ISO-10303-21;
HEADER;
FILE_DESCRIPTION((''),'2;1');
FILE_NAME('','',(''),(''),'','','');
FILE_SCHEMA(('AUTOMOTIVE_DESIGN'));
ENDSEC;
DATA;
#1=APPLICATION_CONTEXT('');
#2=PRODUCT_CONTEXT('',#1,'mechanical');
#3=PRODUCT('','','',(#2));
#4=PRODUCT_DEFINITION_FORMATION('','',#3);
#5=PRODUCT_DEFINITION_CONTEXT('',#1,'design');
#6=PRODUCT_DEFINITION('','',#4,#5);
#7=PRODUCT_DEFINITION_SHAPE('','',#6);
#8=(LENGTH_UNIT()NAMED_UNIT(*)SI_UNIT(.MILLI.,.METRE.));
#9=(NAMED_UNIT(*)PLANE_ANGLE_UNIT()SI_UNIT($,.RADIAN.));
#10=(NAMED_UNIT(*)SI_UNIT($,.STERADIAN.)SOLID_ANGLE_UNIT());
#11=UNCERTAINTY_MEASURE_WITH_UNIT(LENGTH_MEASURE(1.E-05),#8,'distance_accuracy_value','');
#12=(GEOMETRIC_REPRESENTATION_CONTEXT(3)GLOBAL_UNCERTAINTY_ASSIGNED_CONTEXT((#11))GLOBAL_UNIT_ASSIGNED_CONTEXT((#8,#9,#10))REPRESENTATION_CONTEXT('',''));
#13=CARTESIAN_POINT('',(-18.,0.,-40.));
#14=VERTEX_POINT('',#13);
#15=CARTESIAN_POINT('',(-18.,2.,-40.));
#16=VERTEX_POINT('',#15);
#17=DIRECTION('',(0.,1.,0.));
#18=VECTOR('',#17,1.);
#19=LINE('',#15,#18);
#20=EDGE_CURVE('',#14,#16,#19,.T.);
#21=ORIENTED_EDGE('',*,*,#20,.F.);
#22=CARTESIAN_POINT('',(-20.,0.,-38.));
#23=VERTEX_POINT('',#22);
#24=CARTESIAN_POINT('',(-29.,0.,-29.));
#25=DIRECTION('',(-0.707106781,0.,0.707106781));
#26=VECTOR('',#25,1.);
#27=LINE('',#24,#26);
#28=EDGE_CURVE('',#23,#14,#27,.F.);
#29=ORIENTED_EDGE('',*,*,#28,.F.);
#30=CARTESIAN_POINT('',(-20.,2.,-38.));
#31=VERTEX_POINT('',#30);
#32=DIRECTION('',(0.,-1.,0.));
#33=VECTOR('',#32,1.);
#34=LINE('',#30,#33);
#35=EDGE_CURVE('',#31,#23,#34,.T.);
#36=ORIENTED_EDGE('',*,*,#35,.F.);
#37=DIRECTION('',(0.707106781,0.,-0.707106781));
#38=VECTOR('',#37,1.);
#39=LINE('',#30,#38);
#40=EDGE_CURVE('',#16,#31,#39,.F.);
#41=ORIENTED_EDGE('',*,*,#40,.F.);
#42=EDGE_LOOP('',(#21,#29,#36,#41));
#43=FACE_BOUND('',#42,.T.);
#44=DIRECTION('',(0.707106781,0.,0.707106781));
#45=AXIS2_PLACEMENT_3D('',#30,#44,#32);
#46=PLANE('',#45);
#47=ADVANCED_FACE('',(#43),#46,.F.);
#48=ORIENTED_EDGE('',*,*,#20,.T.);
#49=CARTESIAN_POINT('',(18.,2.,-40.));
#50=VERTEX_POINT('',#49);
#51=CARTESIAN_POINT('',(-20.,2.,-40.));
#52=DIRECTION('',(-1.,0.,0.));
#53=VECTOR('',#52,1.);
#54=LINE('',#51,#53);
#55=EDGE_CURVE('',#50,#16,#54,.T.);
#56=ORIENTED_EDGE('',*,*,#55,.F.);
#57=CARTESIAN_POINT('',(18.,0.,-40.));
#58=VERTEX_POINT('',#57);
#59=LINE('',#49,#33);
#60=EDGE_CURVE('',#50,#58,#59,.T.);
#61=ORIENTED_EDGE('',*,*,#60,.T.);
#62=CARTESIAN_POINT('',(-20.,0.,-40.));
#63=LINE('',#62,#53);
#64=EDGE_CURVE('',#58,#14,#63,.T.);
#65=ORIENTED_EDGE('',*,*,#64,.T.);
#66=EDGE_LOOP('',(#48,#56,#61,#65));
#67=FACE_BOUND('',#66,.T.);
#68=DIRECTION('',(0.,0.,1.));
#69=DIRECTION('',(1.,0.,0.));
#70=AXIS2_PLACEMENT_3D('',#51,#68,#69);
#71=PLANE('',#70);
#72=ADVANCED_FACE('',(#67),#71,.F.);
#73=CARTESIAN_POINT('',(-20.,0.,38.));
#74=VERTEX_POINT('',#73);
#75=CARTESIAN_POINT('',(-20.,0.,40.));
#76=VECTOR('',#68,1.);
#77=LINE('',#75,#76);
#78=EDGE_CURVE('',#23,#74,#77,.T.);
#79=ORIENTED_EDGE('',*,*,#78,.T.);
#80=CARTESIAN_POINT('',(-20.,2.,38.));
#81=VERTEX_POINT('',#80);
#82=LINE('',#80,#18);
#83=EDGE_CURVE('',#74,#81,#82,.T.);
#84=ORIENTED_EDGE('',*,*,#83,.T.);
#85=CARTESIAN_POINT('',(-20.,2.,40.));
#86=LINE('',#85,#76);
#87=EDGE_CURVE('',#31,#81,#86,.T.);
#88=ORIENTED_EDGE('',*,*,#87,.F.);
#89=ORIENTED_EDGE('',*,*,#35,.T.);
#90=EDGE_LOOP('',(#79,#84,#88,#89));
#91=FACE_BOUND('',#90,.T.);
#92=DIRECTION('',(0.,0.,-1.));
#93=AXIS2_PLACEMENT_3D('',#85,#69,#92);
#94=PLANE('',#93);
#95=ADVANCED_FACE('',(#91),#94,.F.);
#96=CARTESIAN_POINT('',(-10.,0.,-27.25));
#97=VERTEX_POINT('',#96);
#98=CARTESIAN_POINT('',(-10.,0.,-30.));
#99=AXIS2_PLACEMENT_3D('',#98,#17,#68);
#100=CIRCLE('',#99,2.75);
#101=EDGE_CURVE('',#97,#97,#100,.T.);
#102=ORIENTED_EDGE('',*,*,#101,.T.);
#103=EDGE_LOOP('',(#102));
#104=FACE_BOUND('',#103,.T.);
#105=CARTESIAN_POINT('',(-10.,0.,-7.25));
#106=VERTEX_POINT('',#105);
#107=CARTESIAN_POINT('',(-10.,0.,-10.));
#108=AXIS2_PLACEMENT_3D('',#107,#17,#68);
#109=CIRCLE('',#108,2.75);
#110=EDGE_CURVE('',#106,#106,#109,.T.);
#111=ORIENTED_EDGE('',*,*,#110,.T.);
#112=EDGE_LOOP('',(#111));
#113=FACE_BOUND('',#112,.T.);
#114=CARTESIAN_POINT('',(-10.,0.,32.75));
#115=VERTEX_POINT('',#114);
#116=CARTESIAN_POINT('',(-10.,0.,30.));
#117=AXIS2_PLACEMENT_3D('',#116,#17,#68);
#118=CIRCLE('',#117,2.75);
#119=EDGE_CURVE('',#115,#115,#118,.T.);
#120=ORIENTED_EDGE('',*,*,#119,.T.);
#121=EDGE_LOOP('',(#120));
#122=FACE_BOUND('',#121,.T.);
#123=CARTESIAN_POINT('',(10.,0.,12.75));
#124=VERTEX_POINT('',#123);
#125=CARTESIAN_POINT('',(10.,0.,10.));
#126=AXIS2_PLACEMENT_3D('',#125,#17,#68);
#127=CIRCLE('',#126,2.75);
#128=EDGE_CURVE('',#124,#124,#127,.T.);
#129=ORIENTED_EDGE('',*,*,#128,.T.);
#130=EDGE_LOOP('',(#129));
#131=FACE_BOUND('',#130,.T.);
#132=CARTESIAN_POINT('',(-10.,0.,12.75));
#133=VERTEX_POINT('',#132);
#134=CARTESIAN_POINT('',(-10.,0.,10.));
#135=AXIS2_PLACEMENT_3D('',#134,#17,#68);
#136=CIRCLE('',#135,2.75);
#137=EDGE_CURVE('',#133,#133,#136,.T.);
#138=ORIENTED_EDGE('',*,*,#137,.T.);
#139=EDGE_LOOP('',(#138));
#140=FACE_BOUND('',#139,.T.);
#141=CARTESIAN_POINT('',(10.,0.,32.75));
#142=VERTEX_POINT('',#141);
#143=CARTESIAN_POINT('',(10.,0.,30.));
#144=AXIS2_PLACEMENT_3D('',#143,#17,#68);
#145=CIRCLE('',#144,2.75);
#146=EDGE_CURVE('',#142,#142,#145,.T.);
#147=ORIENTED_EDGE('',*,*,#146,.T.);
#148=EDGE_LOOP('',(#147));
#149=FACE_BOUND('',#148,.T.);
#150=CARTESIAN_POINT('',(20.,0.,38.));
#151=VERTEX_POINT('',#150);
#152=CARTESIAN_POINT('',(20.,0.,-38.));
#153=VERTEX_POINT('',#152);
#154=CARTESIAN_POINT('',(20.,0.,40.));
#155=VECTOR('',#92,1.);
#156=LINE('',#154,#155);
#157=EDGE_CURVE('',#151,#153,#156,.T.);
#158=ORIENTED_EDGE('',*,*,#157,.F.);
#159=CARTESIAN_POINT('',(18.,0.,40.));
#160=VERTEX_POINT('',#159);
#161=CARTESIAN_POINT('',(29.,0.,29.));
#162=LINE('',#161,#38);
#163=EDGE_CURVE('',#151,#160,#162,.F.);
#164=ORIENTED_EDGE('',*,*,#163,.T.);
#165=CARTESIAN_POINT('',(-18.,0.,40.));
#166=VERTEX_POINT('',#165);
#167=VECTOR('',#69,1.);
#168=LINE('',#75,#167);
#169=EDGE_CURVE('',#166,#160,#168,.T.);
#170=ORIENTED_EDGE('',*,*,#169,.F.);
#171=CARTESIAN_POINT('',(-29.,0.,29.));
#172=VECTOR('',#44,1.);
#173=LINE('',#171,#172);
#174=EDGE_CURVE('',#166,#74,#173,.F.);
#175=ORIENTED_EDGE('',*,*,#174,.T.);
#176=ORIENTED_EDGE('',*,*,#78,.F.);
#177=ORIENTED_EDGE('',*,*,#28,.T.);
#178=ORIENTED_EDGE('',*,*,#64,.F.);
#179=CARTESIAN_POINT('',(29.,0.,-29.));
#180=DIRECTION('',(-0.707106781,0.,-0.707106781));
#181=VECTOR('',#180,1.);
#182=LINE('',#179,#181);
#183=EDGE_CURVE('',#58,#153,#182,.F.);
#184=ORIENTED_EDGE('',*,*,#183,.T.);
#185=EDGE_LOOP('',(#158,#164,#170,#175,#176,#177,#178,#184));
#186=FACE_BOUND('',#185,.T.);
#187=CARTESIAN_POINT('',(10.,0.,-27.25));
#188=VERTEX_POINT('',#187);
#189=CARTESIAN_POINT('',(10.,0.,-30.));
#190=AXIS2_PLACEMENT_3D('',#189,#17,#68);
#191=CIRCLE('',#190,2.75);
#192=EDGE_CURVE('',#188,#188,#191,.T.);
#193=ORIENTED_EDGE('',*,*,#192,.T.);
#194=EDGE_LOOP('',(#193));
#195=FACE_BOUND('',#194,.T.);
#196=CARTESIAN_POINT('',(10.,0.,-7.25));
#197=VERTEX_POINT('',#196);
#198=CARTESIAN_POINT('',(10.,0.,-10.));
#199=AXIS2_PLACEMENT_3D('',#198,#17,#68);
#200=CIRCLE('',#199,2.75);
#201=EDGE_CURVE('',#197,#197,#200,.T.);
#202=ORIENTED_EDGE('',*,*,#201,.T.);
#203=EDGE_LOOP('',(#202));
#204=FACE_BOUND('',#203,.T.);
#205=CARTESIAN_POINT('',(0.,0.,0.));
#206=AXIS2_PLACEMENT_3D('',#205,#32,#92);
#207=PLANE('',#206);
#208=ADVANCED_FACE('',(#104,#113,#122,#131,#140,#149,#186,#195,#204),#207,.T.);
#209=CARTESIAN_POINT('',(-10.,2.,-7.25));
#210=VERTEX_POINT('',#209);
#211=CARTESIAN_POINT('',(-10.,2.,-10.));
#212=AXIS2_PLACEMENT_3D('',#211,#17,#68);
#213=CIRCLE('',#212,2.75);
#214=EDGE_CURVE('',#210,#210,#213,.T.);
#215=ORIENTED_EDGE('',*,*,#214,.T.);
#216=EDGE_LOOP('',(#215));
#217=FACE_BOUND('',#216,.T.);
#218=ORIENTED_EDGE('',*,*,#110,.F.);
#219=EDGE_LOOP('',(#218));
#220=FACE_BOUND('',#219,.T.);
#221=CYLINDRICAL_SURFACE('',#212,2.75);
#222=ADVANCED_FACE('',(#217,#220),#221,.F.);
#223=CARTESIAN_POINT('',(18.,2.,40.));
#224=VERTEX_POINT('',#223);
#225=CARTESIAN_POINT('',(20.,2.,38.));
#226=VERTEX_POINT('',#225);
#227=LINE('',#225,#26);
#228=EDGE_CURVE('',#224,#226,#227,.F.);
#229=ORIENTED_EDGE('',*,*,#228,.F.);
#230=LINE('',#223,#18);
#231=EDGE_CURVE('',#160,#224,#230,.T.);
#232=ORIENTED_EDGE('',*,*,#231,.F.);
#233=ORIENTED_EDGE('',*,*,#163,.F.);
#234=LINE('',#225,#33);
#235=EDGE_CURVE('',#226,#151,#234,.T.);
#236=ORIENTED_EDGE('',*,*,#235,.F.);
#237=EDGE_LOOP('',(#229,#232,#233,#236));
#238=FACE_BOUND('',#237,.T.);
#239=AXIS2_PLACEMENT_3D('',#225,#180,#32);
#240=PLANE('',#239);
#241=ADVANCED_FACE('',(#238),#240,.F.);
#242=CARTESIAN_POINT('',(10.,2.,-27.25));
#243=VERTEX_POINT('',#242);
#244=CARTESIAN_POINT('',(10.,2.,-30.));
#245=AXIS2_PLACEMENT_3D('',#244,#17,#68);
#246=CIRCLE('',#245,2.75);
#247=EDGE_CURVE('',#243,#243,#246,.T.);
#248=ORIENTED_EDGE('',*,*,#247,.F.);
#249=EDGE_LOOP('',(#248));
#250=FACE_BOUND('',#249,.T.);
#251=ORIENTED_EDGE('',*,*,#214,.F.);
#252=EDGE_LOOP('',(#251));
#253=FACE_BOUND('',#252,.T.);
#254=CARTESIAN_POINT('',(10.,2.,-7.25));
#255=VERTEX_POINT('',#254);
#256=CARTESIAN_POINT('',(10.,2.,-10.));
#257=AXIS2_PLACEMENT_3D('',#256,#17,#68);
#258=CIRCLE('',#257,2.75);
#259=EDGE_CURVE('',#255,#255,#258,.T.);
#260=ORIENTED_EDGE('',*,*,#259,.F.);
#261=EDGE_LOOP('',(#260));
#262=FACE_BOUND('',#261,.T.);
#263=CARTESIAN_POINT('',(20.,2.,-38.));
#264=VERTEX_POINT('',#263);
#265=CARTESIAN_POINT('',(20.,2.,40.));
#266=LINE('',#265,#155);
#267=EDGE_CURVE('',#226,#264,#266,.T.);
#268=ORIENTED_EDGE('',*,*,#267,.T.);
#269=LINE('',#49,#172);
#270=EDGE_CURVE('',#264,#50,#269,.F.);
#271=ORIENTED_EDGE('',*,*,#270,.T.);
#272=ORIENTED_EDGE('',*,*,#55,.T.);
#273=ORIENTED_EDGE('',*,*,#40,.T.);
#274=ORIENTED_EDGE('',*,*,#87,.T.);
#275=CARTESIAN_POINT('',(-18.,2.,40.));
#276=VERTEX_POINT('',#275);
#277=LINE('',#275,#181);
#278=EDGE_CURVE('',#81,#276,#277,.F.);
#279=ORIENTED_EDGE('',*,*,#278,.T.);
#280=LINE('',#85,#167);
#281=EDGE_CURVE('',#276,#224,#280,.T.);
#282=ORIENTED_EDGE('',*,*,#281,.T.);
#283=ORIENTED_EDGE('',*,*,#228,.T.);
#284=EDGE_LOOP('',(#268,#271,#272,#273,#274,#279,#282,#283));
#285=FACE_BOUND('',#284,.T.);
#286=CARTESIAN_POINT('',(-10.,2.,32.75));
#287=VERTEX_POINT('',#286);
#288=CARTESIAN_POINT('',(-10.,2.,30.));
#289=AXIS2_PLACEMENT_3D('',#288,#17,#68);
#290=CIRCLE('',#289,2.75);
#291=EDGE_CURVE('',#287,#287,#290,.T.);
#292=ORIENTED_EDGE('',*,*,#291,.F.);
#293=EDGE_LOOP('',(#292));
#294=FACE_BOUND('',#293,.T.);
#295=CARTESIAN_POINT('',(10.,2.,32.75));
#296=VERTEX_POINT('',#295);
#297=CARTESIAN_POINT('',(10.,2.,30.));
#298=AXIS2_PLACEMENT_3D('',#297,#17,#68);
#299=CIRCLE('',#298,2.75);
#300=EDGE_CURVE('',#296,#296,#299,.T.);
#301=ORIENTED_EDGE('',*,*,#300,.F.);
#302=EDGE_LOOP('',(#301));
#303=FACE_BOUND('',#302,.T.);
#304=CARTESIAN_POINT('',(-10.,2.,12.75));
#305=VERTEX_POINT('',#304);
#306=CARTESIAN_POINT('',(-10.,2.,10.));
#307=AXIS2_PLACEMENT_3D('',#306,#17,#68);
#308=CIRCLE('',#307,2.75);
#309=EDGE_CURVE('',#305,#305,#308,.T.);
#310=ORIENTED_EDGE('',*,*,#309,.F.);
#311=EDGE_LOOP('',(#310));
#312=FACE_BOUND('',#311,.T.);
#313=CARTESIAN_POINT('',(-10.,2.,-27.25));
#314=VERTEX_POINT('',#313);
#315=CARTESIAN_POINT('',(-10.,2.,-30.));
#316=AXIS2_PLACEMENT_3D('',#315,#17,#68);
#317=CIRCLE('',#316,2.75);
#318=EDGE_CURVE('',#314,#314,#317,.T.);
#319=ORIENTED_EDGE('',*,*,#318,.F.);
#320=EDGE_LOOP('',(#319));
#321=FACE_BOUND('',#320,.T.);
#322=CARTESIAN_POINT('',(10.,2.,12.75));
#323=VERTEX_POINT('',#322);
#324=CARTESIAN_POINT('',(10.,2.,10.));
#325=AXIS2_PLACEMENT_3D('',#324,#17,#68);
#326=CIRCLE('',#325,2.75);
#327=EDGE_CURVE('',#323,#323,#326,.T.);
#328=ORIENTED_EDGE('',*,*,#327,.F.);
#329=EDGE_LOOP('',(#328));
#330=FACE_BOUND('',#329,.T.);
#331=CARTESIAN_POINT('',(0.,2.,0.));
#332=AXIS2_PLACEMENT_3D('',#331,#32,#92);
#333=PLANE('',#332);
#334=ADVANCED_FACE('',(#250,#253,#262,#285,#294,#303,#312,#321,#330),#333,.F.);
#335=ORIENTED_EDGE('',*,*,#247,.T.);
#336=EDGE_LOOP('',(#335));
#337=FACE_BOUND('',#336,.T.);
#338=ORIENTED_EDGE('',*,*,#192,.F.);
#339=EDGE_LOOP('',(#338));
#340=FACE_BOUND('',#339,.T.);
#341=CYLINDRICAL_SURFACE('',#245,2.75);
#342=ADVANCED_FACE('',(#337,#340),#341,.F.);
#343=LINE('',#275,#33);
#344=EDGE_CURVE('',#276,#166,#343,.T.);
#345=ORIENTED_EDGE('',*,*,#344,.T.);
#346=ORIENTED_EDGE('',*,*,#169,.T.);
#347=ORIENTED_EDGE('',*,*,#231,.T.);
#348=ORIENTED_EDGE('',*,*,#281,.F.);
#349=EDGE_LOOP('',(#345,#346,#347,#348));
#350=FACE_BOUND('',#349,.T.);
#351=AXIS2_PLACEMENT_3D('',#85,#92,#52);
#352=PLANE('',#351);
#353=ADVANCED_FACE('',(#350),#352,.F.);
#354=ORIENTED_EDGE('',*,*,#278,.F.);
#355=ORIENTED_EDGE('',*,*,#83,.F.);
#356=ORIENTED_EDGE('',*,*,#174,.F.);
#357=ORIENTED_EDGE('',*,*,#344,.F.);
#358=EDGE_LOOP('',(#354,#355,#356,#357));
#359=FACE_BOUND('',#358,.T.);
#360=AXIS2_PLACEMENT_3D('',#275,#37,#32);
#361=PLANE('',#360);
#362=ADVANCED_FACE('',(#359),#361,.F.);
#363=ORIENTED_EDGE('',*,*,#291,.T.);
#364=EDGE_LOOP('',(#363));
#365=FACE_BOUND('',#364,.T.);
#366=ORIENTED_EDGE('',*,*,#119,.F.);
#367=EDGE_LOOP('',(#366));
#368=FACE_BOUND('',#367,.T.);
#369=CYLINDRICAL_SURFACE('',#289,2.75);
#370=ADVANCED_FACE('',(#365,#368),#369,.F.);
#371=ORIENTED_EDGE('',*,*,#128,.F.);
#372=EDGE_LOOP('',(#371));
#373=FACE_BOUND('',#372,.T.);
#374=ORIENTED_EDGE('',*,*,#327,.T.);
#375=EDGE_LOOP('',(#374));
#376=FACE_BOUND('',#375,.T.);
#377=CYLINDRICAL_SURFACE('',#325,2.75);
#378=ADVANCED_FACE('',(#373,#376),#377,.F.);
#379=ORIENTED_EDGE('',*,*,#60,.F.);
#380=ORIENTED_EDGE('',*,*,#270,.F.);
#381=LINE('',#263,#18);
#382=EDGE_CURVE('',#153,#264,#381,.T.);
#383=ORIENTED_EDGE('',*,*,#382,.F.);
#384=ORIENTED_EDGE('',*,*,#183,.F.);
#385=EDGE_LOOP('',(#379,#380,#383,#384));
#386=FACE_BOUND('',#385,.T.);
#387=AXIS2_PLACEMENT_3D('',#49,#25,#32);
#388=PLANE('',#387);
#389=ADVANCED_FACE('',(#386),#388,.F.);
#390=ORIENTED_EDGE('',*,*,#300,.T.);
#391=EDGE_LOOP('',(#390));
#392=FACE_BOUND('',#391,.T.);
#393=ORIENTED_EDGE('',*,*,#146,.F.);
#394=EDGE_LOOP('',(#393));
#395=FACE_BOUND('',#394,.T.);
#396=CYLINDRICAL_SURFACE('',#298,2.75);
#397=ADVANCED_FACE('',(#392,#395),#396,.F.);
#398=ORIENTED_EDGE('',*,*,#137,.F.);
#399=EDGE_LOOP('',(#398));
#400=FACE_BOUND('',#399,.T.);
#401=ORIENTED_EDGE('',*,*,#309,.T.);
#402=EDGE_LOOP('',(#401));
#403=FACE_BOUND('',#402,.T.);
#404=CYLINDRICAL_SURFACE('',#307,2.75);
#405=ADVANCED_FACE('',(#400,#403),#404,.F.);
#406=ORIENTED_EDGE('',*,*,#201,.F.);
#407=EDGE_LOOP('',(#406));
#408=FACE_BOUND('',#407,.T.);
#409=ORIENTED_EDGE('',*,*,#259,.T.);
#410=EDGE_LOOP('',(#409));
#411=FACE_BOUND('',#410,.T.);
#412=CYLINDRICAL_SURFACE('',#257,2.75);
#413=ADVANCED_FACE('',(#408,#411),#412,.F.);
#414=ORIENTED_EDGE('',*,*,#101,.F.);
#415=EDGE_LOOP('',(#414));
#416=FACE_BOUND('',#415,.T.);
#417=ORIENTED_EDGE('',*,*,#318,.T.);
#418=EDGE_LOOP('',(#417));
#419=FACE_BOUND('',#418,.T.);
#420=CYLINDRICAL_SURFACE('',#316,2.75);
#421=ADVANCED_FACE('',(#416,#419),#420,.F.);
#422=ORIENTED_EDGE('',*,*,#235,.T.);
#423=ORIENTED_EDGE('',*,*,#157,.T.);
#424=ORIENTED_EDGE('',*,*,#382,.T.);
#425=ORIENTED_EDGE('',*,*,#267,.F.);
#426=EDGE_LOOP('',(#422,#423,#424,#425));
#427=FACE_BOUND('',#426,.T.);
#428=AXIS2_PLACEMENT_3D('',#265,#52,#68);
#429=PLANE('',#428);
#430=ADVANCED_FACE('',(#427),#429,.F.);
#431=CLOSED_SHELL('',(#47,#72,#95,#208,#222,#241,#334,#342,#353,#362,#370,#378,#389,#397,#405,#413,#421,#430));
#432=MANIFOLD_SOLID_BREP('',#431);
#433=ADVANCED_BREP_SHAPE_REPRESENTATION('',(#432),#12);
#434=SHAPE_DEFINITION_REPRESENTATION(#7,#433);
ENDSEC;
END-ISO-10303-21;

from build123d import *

# Parameters (mm, degrees)
SKETCH_1_W        = 40
SKETCH_1_H        = 80
EXTRUDE_1_DEPTH   = 2
CHAMFER_1_SIZE    = 2
HOLE_WIZARD_M51_D = 5.5


with BuildPart() as part:
    # Эскиз1 → Бобышка-Вытянуть1 (new body)
    with BuildSketch(Plane(origin=(0, 0, 0), x_dir=(1, 0, 0), z_dir=(0, 1, 0))):
        Rectangle(SKETCH_1_W, SKETCH_1_H)
    extrude(amount=EXTRUDE_1_DEPTH)

    # Фаска1
    chamfer_1_edges = [part.edges().sort_by_distance(p)[0] for p in [
        (20, 1, 40),
        (-20, 1, 40),
        (-20, 1, -40),
        (20, 1, -40),
    ]]
    chamfer(chamfer_1_edges, length=CHAMFER_1_SIZE)

    # Отверстие с зазором M51 (through all)
    with Locations(Plane(origin=(0, 2, 0), x_dir=(1, 0, 0), z_dir=(0, 1, 0))):
        with Locations((-10, 10), (10, 10), (-10, -10), (10, -10), (-10, 30), (10, 30), (10, -30), (-10, -30)):
            Hole(HOLE_WIZARD_M51_D / 2)


solid = part.part
